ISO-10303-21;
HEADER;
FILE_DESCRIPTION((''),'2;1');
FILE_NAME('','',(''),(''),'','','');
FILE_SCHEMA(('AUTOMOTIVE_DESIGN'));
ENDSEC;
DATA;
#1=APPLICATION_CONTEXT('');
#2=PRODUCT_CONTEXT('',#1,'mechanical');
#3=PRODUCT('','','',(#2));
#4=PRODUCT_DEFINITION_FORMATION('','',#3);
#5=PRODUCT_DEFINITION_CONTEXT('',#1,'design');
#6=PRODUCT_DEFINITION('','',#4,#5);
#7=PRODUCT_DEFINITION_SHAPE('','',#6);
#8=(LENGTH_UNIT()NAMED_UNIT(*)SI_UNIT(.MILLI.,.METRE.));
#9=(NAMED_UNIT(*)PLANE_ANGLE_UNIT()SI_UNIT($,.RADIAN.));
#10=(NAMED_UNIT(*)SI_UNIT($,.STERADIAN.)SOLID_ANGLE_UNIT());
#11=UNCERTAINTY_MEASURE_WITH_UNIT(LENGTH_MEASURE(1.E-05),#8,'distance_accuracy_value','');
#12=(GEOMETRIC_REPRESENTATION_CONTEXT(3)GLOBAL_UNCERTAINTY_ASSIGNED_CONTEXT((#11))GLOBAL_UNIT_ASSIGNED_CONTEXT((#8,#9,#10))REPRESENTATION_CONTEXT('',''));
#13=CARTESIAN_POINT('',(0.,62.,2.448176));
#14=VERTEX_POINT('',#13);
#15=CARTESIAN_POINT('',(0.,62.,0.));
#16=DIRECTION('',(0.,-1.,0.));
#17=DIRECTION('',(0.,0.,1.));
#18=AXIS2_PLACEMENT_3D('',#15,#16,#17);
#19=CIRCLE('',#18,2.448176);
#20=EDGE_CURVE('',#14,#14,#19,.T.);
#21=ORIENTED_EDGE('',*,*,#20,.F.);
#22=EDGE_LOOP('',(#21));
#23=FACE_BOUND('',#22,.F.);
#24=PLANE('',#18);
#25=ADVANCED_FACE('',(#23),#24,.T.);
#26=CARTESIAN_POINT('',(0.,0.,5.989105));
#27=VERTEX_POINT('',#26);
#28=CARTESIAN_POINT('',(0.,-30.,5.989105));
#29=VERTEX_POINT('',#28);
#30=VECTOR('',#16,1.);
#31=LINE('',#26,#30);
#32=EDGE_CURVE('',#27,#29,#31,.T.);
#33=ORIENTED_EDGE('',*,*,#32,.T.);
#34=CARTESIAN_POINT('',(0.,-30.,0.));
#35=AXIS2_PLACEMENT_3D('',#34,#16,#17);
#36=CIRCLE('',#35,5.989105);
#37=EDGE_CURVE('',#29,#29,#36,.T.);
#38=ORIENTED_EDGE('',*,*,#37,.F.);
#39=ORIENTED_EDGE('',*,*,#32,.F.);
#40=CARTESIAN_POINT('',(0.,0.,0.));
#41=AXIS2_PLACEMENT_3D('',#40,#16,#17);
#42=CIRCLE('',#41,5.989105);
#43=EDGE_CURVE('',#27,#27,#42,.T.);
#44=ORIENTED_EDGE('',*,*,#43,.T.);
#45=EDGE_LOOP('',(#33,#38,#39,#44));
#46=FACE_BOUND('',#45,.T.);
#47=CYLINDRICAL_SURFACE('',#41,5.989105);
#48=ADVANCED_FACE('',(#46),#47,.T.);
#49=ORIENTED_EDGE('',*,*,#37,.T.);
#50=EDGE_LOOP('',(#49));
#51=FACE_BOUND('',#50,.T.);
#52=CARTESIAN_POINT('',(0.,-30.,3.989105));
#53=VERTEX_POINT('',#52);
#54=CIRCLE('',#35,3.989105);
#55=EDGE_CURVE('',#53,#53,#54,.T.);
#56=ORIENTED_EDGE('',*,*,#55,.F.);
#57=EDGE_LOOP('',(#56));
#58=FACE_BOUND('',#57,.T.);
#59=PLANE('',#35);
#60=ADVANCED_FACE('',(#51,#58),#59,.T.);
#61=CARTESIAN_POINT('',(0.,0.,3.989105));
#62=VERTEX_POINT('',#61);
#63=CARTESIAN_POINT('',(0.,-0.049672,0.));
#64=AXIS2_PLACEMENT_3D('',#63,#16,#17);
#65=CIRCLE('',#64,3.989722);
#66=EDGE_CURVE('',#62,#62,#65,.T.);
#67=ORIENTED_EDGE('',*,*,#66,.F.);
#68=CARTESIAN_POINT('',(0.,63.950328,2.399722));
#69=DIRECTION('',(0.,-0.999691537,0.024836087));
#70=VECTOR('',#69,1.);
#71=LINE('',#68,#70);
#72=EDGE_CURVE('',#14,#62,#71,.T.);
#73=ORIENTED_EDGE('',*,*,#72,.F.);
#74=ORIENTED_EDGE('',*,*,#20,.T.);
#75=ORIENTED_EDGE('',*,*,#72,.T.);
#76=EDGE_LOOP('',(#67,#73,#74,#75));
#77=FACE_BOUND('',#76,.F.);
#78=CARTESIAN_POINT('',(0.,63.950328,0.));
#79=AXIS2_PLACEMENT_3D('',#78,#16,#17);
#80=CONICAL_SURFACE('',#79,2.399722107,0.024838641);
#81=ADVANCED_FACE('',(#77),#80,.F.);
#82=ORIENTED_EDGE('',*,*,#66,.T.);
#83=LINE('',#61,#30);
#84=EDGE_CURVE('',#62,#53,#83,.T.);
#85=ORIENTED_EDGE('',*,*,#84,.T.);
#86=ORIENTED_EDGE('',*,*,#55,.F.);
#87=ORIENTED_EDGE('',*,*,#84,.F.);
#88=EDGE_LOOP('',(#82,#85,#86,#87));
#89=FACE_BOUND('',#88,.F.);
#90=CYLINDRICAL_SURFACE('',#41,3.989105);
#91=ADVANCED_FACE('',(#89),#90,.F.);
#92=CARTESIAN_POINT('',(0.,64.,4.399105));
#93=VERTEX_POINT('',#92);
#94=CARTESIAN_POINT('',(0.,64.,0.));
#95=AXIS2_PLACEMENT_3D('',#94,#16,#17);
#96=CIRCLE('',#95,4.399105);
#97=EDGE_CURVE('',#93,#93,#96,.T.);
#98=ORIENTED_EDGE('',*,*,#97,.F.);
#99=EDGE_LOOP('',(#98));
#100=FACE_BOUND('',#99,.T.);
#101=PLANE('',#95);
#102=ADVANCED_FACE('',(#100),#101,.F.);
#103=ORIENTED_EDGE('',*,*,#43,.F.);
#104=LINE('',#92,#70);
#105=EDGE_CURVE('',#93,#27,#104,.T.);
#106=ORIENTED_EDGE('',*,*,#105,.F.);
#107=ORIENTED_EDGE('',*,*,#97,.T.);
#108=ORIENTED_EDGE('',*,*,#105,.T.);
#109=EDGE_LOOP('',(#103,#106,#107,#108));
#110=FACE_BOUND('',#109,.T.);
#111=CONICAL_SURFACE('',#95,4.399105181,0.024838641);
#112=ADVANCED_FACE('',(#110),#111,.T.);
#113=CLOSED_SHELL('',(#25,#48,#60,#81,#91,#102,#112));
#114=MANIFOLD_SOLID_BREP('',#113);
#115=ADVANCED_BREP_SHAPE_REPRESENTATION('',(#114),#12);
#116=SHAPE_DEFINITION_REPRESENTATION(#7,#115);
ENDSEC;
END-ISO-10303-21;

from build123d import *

# Parameters (mm, degrees)
F2_T = -2


with BuildPart() as f1:
    # F0 (on Right) → F1 (revolve)
    with BuildSketch(Plane.YZ):
        Polygon((64, 4.3991051808), (0, 5.9891051808), (-30, 5.9891051808), (-30, 0), (0, 0), (64, 0), align=None)
    revolve(axis=Axis((0, 32, 0), (0, -1, 0)))

    # F2
    f2_openings = [f1.faces().sort_by_distance(p)[0] for p in [
        (0, -30, 0),
    ]]
    offset(amount=F2_T, openings=f2_openings, kind=Kind.INTERSECTION)


solid = f1.part
